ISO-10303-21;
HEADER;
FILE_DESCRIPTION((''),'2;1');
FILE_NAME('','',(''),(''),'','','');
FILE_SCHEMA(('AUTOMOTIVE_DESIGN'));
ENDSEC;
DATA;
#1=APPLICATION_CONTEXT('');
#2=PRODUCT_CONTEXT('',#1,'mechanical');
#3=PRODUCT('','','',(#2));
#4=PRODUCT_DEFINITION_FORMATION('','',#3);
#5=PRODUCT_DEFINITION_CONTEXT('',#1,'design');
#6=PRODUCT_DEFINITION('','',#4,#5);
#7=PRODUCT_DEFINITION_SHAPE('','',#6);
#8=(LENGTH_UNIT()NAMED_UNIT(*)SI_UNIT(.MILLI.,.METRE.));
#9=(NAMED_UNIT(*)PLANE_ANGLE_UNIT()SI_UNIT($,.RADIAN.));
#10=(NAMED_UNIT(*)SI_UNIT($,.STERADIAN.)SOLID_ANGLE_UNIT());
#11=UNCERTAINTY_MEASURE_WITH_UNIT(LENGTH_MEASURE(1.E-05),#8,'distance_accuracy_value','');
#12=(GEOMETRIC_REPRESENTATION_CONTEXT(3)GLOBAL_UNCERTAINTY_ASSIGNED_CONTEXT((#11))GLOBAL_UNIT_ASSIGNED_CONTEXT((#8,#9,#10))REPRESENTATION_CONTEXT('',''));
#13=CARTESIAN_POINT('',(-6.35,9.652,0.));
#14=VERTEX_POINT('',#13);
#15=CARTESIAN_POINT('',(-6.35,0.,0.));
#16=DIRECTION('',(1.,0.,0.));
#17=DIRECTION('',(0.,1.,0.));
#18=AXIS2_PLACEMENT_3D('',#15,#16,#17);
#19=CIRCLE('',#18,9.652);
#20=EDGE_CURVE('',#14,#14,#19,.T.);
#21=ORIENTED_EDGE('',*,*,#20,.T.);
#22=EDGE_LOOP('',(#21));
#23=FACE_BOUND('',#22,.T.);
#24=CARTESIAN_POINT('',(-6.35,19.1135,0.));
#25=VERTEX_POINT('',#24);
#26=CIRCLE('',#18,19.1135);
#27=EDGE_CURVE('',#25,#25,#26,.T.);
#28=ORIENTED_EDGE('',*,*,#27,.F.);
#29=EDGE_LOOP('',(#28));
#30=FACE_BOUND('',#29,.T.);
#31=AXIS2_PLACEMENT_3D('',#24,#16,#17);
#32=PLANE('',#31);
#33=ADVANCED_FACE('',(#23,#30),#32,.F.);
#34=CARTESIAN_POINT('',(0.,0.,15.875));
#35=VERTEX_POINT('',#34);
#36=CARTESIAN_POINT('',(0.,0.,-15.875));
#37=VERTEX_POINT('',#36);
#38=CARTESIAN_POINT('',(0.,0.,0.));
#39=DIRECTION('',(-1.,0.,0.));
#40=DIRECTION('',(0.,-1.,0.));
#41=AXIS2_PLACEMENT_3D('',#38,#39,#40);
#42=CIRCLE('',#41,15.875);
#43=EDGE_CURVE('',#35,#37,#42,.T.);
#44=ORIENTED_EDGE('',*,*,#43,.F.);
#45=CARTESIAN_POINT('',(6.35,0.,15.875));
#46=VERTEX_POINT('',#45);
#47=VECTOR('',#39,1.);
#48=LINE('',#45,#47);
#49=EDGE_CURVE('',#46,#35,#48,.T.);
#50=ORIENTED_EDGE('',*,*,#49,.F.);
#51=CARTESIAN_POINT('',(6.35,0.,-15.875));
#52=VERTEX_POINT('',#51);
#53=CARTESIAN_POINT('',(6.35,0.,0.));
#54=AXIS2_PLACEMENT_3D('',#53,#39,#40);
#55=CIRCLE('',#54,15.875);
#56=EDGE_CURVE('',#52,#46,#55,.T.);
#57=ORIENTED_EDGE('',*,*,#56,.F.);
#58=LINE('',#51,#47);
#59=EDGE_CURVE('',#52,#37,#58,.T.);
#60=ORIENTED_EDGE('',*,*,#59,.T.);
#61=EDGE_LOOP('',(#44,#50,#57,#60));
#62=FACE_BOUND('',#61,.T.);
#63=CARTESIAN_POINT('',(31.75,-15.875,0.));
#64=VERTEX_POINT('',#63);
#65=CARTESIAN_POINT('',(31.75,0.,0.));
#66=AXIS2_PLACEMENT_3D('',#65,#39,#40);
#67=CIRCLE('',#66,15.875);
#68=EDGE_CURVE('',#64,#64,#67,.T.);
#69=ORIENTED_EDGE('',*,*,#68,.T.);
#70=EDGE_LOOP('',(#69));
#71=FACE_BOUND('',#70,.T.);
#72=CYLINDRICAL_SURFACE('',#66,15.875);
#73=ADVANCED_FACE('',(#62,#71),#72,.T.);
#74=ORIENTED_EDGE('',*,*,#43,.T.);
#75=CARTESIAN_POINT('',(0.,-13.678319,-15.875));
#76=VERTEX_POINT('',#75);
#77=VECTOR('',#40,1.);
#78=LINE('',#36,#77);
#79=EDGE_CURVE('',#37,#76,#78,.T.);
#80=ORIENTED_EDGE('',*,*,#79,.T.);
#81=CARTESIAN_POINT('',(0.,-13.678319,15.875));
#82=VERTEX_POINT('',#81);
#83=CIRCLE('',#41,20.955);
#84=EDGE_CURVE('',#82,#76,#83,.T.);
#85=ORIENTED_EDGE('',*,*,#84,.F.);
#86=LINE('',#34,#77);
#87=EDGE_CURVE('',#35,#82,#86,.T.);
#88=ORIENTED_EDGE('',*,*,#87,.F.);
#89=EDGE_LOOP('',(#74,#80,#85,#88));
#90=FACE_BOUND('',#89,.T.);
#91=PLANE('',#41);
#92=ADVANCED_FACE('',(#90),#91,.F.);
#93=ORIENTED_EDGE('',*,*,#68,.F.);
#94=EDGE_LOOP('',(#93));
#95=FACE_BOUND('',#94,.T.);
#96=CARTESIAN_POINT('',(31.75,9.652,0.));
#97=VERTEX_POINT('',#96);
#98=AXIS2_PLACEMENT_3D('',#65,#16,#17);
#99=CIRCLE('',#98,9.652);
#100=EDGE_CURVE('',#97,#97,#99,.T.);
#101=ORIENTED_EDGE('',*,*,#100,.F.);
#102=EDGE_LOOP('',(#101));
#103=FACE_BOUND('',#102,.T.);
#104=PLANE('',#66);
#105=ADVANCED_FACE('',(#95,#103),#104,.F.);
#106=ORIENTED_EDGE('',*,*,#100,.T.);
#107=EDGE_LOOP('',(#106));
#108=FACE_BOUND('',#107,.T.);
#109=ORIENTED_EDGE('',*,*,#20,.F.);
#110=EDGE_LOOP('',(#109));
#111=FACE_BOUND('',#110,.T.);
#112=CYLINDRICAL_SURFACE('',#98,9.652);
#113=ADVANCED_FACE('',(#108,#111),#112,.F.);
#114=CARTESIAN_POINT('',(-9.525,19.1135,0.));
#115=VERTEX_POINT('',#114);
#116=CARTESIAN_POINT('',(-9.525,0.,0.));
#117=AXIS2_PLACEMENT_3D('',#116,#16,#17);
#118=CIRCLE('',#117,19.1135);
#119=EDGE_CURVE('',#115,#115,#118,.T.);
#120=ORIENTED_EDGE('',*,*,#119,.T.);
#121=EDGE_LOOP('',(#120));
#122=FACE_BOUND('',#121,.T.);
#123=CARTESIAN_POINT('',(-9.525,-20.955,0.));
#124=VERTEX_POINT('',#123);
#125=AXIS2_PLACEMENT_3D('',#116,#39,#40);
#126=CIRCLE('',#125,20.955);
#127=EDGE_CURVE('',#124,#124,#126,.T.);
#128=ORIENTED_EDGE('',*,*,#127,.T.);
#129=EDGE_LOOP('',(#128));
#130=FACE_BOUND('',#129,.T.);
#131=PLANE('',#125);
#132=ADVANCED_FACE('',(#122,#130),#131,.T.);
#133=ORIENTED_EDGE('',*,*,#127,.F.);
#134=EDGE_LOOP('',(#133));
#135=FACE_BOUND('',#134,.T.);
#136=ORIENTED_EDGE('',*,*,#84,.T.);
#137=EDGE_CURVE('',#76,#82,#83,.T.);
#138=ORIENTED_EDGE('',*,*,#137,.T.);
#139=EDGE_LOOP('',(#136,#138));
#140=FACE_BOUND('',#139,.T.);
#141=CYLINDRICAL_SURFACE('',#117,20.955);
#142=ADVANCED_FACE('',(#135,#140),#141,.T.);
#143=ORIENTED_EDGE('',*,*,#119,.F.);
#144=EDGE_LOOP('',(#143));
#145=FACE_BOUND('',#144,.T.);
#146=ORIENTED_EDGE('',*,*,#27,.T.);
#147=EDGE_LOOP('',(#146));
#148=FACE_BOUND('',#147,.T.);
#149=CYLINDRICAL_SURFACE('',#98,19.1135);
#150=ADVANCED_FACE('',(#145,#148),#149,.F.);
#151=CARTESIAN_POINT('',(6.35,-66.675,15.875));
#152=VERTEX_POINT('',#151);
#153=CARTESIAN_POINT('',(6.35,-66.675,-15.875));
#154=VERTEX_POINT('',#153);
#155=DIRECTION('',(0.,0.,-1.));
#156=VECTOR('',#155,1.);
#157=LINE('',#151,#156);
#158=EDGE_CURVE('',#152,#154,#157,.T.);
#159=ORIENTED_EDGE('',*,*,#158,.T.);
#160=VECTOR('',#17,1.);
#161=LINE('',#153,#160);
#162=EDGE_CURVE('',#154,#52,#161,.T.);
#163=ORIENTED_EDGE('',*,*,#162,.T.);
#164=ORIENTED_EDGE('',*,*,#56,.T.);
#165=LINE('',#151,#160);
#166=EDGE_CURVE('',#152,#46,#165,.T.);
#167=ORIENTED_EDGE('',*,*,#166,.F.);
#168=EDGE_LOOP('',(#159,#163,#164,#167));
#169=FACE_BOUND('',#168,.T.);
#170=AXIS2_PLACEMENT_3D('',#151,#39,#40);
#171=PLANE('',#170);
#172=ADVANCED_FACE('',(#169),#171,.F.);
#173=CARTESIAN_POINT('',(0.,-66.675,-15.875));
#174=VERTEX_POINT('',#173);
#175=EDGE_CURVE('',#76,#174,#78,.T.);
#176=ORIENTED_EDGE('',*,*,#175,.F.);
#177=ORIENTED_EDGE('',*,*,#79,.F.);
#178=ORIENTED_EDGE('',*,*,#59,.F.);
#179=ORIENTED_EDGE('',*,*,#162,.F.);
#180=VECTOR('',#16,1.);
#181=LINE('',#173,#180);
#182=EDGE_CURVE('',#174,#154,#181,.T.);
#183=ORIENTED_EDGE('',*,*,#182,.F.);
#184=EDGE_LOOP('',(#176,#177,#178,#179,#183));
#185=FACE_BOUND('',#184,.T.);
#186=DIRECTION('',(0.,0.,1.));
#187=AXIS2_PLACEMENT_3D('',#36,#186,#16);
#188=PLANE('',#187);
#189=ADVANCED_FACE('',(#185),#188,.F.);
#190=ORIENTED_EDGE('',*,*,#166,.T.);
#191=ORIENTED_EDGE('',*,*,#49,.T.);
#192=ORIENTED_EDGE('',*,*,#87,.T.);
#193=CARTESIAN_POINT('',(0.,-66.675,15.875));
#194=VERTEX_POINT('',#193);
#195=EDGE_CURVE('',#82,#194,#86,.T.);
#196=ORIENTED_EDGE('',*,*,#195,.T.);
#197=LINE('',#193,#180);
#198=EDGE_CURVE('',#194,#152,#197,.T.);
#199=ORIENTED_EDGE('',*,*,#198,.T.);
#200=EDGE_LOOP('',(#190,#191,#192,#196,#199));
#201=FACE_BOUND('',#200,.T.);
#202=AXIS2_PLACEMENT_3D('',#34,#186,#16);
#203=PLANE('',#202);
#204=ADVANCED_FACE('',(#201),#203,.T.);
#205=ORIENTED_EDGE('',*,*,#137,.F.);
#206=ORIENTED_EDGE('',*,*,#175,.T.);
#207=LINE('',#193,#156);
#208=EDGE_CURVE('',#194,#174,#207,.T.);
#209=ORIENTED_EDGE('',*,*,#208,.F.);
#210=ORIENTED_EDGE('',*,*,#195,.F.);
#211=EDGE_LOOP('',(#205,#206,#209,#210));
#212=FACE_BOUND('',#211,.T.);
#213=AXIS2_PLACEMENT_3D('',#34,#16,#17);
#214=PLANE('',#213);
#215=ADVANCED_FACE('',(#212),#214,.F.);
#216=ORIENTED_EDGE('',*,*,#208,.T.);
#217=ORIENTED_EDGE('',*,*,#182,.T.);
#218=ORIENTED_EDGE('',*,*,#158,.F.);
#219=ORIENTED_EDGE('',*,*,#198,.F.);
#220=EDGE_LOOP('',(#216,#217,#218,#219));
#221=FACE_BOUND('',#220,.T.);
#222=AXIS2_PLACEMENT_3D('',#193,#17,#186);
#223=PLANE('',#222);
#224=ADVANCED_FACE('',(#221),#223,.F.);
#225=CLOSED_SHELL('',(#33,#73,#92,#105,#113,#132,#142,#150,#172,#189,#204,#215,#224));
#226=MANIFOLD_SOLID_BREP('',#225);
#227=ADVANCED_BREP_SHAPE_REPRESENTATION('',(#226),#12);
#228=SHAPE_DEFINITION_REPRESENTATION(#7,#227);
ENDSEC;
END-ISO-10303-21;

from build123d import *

# Parameters (mm, degrees)
SKETCH1_W           = 6.35
SKETCH1_H           = 66.675
BOSS_EXTRUDE1_DEPTH = 15.875
SKETCH2_R           = 15.875
BOSS_EXTRUDE2_DEPTH = 31.75
SKETCH3_R           = 20.955
BOSS_EXTRUDE3_DEPTH = 9.525


with BuildPart() as part:
    # Sketch1 → Boss-Extrude1 (new, symmetric)
    with BuildSketch(Plane.XY):
        with Locations((3.175, -33.3375)):
            Rectangle(SKETCH1_W, SKETCH1_H)
    extrude(amount=BOSS_EXTRUDE1_DEPTH, both=True)

    # Sketch2 → Boss-Extrude2 (add)
    with BuildSketch(Plane.ZY):
        with Locations(Location((0, 0, 0), (0, 0, 270))):
            Circle(SKETCH2_R)
    extrude(amount=-BOSS_EXTRUDE2_DEPTH)

    # Sketch3 → Boss-Extrude3 (add)
    with BuildSketch(Plane.ZY):
        with Locations(Location((0, 0, 0), (0, 0, 220.749054377))):
            Circle(SKETCH3_R)
    extrude(amount=BOSS_EXTRUDE3_DEPTH)

    # Sketch4 → Cut-Revolve1 (revolve, cut)
    with BuildSketch(Plane.XY):
        Polygon((-9.525, 19.1135), (-6.35, 19.1135), (-6.35, 9.652), (31.75, 9.652), (31.75, 0), (-9.525, 0), align=None)
    revolve(axis=Axis((31.75, 0, 0), (-1, 0, 0)), mode=Mode.SUBTRACT)


solid = part.part
